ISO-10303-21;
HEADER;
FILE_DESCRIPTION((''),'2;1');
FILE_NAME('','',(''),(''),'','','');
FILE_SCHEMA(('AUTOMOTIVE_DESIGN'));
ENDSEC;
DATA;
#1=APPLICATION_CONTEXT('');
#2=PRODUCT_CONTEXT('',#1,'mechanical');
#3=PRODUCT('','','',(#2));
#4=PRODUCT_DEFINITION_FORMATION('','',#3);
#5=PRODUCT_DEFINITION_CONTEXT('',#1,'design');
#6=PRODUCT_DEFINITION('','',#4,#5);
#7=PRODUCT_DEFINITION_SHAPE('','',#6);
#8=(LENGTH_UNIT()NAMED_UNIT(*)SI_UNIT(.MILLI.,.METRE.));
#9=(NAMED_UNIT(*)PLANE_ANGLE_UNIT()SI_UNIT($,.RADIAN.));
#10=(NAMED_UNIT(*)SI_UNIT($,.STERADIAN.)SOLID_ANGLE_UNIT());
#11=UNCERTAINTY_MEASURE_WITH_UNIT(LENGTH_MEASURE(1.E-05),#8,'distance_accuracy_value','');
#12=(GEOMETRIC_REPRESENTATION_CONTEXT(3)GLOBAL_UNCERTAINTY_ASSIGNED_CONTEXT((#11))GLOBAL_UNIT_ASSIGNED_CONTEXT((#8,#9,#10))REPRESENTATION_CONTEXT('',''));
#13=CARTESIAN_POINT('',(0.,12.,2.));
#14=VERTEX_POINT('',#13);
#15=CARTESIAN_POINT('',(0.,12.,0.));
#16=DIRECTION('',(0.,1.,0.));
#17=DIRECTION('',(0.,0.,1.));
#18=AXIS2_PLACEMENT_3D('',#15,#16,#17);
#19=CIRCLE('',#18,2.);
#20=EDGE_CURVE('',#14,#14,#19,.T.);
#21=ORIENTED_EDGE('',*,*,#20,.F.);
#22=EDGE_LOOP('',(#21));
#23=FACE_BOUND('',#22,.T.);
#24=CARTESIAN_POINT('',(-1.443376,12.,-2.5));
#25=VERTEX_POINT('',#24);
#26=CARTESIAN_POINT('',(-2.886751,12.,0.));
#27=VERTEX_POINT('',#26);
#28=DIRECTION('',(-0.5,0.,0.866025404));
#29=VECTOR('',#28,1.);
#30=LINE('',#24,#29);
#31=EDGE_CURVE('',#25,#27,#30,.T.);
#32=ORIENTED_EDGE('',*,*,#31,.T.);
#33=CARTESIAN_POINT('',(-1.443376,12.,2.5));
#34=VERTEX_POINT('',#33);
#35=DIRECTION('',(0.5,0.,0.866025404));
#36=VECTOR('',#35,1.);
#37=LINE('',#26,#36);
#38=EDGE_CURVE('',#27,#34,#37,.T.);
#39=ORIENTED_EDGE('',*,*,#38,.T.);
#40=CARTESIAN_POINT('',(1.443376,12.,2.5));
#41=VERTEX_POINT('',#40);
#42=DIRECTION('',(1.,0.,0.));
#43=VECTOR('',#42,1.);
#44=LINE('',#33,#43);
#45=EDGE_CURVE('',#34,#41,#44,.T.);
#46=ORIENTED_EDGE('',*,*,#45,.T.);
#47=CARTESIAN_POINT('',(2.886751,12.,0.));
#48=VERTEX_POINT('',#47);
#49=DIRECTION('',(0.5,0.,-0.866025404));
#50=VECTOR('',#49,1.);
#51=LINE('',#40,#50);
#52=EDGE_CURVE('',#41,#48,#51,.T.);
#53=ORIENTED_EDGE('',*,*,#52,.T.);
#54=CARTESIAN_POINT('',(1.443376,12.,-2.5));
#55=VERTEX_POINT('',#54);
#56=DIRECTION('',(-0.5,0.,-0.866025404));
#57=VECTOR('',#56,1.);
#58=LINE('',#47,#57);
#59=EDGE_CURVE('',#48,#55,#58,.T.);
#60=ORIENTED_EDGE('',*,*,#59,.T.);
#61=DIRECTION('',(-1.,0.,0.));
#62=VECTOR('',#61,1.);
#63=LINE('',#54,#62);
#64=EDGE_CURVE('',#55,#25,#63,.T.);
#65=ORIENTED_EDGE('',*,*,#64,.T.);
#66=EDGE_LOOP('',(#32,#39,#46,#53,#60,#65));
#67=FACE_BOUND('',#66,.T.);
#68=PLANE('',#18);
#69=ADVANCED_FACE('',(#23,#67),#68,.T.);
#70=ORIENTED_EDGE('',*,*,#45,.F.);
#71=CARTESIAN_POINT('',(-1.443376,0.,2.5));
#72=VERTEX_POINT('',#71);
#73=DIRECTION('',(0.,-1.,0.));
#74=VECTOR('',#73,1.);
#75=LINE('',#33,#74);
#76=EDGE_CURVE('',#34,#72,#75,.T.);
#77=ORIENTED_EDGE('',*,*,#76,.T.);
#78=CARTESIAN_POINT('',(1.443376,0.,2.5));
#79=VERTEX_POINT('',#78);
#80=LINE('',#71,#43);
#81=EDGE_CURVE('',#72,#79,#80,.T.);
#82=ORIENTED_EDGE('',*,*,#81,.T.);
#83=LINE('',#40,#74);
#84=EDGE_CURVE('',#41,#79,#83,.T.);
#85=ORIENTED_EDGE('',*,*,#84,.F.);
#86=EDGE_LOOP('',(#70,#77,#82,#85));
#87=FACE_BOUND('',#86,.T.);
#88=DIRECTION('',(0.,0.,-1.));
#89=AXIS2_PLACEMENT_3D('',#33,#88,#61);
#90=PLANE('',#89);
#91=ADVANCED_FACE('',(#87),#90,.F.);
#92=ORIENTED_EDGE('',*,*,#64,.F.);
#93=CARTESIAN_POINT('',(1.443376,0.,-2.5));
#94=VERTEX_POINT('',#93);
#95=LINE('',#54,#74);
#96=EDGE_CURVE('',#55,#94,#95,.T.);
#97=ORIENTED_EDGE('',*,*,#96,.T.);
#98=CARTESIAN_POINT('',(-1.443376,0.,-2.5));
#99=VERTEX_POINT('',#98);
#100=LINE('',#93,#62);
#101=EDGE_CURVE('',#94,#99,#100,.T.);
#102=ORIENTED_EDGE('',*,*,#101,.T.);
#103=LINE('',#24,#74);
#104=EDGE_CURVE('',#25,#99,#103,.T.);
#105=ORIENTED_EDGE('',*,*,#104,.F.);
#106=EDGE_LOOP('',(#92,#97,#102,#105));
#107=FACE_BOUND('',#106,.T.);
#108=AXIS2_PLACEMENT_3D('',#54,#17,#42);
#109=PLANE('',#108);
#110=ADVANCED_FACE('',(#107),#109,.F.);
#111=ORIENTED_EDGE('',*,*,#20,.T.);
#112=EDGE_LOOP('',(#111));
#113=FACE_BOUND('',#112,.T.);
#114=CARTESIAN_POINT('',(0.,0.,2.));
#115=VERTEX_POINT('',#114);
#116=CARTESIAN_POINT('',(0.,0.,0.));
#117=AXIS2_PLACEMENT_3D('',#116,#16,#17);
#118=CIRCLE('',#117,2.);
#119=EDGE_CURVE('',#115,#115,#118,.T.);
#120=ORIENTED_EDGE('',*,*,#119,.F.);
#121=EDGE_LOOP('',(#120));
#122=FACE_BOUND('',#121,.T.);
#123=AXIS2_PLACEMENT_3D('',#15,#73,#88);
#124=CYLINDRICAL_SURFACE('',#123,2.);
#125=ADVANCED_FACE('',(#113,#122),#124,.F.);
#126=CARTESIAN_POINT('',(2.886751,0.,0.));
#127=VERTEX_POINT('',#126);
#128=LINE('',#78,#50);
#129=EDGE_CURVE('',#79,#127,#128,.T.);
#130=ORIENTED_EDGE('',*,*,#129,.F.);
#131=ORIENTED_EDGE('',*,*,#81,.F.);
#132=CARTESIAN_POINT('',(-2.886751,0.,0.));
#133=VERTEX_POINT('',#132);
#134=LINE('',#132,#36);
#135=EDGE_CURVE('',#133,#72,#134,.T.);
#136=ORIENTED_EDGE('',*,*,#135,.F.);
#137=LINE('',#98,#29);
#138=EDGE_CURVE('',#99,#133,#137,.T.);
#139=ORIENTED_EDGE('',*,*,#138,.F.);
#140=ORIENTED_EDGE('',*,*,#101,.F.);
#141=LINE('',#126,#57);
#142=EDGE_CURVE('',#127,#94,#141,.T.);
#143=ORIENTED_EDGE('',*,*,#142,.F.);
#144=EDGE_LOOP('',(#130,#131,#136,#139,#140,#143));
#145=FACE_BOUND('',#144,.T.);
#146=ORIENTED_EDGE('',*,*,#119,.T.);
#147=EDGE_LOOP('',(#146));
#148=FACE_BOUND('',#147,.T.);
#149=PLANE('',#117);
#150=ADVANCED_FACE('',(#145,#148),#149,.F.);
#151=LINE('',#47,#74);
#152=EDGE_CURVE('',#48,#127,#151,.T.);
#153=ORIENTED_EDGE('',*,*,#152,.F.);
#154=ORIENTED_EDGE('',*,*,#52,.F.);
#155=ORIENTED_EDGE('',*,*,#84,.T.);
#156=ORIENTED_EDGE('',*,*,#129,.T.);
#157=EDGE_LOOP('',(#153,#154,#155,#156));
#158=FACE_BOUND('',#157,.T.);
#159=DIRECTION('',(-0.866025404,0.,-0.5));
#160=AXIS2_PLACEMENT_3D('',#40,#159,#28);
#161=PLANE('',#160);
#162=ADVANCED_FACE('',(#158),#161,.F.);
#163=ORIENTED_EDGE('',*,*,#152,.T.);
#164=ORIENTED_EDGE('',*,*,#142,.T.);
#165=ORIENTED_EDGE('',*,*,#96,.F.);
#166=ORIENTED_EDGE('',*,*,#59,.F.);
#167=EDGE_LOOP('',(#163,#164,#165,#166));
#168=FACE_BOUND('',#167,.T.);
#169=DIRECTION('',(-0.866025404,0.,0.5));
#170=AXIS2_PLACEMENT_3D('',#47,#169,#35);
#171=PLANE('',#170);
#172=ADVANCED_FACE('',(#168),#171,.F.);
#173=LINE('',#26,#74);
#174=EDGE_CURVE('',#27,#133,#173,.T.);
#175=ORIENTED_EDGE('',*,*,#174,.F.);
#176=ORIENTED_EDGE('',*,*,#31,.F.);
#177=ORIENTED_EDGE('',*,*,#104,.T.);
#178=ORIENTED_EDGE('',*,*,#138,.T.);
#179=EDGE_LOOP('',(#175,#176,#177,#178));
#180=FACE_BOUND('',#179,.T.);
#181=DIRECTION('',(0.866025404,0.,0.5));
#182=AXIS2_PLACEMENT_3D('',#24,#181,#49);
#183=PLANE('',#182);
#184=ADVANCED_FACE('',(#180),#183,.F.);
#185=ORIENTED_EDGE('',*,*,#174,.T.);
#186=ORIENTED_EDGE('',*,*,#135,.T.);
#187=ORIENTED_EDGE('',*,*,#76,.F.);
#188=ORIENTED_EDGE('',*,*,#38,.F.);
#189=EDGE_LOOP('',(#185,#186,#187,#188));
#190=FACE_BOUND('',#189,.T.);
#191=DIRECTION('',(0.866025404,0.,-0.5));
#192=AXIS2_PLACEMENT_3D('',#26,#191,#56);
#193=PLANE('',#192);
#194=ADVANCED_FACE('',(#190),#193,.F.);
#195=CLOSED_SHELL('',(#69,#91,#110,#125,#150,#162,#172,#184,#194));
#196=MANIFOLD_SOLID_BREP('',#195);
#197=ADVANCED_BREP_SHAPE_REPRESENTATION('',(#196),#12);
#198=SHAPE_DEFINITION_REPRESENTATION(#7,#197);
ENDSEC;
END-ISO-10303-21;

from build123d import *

# Parameters (mm, degrees)
SKETCH_1_R      = 2
EXTRUDE_1_DEPTH = 12


with BuildPart() as part:
    # 草图1 → 凸台-拉伸1 (new body)
    with BuildSketch(Plane(origin=(0, 0, 0), x_dir=(1, 0, 0), z_dir=(0, 1, 0))):
        Polygon((1.443375673, 2.5), (-1.443375673, 2.5), (-2.886751346, 0), (-1.443375673, -2.5), (1.443375673, -2.5), (2.886751346, 0), align=None)
        with Locations(Location((0, 0, 0), (0, 0, 270))):
            Circle(SKETCH_1_R, mode=Mode.SUBTRACT)
    extrude(amount=EXTRUDE_1_DEPTH)


solid = part.part
